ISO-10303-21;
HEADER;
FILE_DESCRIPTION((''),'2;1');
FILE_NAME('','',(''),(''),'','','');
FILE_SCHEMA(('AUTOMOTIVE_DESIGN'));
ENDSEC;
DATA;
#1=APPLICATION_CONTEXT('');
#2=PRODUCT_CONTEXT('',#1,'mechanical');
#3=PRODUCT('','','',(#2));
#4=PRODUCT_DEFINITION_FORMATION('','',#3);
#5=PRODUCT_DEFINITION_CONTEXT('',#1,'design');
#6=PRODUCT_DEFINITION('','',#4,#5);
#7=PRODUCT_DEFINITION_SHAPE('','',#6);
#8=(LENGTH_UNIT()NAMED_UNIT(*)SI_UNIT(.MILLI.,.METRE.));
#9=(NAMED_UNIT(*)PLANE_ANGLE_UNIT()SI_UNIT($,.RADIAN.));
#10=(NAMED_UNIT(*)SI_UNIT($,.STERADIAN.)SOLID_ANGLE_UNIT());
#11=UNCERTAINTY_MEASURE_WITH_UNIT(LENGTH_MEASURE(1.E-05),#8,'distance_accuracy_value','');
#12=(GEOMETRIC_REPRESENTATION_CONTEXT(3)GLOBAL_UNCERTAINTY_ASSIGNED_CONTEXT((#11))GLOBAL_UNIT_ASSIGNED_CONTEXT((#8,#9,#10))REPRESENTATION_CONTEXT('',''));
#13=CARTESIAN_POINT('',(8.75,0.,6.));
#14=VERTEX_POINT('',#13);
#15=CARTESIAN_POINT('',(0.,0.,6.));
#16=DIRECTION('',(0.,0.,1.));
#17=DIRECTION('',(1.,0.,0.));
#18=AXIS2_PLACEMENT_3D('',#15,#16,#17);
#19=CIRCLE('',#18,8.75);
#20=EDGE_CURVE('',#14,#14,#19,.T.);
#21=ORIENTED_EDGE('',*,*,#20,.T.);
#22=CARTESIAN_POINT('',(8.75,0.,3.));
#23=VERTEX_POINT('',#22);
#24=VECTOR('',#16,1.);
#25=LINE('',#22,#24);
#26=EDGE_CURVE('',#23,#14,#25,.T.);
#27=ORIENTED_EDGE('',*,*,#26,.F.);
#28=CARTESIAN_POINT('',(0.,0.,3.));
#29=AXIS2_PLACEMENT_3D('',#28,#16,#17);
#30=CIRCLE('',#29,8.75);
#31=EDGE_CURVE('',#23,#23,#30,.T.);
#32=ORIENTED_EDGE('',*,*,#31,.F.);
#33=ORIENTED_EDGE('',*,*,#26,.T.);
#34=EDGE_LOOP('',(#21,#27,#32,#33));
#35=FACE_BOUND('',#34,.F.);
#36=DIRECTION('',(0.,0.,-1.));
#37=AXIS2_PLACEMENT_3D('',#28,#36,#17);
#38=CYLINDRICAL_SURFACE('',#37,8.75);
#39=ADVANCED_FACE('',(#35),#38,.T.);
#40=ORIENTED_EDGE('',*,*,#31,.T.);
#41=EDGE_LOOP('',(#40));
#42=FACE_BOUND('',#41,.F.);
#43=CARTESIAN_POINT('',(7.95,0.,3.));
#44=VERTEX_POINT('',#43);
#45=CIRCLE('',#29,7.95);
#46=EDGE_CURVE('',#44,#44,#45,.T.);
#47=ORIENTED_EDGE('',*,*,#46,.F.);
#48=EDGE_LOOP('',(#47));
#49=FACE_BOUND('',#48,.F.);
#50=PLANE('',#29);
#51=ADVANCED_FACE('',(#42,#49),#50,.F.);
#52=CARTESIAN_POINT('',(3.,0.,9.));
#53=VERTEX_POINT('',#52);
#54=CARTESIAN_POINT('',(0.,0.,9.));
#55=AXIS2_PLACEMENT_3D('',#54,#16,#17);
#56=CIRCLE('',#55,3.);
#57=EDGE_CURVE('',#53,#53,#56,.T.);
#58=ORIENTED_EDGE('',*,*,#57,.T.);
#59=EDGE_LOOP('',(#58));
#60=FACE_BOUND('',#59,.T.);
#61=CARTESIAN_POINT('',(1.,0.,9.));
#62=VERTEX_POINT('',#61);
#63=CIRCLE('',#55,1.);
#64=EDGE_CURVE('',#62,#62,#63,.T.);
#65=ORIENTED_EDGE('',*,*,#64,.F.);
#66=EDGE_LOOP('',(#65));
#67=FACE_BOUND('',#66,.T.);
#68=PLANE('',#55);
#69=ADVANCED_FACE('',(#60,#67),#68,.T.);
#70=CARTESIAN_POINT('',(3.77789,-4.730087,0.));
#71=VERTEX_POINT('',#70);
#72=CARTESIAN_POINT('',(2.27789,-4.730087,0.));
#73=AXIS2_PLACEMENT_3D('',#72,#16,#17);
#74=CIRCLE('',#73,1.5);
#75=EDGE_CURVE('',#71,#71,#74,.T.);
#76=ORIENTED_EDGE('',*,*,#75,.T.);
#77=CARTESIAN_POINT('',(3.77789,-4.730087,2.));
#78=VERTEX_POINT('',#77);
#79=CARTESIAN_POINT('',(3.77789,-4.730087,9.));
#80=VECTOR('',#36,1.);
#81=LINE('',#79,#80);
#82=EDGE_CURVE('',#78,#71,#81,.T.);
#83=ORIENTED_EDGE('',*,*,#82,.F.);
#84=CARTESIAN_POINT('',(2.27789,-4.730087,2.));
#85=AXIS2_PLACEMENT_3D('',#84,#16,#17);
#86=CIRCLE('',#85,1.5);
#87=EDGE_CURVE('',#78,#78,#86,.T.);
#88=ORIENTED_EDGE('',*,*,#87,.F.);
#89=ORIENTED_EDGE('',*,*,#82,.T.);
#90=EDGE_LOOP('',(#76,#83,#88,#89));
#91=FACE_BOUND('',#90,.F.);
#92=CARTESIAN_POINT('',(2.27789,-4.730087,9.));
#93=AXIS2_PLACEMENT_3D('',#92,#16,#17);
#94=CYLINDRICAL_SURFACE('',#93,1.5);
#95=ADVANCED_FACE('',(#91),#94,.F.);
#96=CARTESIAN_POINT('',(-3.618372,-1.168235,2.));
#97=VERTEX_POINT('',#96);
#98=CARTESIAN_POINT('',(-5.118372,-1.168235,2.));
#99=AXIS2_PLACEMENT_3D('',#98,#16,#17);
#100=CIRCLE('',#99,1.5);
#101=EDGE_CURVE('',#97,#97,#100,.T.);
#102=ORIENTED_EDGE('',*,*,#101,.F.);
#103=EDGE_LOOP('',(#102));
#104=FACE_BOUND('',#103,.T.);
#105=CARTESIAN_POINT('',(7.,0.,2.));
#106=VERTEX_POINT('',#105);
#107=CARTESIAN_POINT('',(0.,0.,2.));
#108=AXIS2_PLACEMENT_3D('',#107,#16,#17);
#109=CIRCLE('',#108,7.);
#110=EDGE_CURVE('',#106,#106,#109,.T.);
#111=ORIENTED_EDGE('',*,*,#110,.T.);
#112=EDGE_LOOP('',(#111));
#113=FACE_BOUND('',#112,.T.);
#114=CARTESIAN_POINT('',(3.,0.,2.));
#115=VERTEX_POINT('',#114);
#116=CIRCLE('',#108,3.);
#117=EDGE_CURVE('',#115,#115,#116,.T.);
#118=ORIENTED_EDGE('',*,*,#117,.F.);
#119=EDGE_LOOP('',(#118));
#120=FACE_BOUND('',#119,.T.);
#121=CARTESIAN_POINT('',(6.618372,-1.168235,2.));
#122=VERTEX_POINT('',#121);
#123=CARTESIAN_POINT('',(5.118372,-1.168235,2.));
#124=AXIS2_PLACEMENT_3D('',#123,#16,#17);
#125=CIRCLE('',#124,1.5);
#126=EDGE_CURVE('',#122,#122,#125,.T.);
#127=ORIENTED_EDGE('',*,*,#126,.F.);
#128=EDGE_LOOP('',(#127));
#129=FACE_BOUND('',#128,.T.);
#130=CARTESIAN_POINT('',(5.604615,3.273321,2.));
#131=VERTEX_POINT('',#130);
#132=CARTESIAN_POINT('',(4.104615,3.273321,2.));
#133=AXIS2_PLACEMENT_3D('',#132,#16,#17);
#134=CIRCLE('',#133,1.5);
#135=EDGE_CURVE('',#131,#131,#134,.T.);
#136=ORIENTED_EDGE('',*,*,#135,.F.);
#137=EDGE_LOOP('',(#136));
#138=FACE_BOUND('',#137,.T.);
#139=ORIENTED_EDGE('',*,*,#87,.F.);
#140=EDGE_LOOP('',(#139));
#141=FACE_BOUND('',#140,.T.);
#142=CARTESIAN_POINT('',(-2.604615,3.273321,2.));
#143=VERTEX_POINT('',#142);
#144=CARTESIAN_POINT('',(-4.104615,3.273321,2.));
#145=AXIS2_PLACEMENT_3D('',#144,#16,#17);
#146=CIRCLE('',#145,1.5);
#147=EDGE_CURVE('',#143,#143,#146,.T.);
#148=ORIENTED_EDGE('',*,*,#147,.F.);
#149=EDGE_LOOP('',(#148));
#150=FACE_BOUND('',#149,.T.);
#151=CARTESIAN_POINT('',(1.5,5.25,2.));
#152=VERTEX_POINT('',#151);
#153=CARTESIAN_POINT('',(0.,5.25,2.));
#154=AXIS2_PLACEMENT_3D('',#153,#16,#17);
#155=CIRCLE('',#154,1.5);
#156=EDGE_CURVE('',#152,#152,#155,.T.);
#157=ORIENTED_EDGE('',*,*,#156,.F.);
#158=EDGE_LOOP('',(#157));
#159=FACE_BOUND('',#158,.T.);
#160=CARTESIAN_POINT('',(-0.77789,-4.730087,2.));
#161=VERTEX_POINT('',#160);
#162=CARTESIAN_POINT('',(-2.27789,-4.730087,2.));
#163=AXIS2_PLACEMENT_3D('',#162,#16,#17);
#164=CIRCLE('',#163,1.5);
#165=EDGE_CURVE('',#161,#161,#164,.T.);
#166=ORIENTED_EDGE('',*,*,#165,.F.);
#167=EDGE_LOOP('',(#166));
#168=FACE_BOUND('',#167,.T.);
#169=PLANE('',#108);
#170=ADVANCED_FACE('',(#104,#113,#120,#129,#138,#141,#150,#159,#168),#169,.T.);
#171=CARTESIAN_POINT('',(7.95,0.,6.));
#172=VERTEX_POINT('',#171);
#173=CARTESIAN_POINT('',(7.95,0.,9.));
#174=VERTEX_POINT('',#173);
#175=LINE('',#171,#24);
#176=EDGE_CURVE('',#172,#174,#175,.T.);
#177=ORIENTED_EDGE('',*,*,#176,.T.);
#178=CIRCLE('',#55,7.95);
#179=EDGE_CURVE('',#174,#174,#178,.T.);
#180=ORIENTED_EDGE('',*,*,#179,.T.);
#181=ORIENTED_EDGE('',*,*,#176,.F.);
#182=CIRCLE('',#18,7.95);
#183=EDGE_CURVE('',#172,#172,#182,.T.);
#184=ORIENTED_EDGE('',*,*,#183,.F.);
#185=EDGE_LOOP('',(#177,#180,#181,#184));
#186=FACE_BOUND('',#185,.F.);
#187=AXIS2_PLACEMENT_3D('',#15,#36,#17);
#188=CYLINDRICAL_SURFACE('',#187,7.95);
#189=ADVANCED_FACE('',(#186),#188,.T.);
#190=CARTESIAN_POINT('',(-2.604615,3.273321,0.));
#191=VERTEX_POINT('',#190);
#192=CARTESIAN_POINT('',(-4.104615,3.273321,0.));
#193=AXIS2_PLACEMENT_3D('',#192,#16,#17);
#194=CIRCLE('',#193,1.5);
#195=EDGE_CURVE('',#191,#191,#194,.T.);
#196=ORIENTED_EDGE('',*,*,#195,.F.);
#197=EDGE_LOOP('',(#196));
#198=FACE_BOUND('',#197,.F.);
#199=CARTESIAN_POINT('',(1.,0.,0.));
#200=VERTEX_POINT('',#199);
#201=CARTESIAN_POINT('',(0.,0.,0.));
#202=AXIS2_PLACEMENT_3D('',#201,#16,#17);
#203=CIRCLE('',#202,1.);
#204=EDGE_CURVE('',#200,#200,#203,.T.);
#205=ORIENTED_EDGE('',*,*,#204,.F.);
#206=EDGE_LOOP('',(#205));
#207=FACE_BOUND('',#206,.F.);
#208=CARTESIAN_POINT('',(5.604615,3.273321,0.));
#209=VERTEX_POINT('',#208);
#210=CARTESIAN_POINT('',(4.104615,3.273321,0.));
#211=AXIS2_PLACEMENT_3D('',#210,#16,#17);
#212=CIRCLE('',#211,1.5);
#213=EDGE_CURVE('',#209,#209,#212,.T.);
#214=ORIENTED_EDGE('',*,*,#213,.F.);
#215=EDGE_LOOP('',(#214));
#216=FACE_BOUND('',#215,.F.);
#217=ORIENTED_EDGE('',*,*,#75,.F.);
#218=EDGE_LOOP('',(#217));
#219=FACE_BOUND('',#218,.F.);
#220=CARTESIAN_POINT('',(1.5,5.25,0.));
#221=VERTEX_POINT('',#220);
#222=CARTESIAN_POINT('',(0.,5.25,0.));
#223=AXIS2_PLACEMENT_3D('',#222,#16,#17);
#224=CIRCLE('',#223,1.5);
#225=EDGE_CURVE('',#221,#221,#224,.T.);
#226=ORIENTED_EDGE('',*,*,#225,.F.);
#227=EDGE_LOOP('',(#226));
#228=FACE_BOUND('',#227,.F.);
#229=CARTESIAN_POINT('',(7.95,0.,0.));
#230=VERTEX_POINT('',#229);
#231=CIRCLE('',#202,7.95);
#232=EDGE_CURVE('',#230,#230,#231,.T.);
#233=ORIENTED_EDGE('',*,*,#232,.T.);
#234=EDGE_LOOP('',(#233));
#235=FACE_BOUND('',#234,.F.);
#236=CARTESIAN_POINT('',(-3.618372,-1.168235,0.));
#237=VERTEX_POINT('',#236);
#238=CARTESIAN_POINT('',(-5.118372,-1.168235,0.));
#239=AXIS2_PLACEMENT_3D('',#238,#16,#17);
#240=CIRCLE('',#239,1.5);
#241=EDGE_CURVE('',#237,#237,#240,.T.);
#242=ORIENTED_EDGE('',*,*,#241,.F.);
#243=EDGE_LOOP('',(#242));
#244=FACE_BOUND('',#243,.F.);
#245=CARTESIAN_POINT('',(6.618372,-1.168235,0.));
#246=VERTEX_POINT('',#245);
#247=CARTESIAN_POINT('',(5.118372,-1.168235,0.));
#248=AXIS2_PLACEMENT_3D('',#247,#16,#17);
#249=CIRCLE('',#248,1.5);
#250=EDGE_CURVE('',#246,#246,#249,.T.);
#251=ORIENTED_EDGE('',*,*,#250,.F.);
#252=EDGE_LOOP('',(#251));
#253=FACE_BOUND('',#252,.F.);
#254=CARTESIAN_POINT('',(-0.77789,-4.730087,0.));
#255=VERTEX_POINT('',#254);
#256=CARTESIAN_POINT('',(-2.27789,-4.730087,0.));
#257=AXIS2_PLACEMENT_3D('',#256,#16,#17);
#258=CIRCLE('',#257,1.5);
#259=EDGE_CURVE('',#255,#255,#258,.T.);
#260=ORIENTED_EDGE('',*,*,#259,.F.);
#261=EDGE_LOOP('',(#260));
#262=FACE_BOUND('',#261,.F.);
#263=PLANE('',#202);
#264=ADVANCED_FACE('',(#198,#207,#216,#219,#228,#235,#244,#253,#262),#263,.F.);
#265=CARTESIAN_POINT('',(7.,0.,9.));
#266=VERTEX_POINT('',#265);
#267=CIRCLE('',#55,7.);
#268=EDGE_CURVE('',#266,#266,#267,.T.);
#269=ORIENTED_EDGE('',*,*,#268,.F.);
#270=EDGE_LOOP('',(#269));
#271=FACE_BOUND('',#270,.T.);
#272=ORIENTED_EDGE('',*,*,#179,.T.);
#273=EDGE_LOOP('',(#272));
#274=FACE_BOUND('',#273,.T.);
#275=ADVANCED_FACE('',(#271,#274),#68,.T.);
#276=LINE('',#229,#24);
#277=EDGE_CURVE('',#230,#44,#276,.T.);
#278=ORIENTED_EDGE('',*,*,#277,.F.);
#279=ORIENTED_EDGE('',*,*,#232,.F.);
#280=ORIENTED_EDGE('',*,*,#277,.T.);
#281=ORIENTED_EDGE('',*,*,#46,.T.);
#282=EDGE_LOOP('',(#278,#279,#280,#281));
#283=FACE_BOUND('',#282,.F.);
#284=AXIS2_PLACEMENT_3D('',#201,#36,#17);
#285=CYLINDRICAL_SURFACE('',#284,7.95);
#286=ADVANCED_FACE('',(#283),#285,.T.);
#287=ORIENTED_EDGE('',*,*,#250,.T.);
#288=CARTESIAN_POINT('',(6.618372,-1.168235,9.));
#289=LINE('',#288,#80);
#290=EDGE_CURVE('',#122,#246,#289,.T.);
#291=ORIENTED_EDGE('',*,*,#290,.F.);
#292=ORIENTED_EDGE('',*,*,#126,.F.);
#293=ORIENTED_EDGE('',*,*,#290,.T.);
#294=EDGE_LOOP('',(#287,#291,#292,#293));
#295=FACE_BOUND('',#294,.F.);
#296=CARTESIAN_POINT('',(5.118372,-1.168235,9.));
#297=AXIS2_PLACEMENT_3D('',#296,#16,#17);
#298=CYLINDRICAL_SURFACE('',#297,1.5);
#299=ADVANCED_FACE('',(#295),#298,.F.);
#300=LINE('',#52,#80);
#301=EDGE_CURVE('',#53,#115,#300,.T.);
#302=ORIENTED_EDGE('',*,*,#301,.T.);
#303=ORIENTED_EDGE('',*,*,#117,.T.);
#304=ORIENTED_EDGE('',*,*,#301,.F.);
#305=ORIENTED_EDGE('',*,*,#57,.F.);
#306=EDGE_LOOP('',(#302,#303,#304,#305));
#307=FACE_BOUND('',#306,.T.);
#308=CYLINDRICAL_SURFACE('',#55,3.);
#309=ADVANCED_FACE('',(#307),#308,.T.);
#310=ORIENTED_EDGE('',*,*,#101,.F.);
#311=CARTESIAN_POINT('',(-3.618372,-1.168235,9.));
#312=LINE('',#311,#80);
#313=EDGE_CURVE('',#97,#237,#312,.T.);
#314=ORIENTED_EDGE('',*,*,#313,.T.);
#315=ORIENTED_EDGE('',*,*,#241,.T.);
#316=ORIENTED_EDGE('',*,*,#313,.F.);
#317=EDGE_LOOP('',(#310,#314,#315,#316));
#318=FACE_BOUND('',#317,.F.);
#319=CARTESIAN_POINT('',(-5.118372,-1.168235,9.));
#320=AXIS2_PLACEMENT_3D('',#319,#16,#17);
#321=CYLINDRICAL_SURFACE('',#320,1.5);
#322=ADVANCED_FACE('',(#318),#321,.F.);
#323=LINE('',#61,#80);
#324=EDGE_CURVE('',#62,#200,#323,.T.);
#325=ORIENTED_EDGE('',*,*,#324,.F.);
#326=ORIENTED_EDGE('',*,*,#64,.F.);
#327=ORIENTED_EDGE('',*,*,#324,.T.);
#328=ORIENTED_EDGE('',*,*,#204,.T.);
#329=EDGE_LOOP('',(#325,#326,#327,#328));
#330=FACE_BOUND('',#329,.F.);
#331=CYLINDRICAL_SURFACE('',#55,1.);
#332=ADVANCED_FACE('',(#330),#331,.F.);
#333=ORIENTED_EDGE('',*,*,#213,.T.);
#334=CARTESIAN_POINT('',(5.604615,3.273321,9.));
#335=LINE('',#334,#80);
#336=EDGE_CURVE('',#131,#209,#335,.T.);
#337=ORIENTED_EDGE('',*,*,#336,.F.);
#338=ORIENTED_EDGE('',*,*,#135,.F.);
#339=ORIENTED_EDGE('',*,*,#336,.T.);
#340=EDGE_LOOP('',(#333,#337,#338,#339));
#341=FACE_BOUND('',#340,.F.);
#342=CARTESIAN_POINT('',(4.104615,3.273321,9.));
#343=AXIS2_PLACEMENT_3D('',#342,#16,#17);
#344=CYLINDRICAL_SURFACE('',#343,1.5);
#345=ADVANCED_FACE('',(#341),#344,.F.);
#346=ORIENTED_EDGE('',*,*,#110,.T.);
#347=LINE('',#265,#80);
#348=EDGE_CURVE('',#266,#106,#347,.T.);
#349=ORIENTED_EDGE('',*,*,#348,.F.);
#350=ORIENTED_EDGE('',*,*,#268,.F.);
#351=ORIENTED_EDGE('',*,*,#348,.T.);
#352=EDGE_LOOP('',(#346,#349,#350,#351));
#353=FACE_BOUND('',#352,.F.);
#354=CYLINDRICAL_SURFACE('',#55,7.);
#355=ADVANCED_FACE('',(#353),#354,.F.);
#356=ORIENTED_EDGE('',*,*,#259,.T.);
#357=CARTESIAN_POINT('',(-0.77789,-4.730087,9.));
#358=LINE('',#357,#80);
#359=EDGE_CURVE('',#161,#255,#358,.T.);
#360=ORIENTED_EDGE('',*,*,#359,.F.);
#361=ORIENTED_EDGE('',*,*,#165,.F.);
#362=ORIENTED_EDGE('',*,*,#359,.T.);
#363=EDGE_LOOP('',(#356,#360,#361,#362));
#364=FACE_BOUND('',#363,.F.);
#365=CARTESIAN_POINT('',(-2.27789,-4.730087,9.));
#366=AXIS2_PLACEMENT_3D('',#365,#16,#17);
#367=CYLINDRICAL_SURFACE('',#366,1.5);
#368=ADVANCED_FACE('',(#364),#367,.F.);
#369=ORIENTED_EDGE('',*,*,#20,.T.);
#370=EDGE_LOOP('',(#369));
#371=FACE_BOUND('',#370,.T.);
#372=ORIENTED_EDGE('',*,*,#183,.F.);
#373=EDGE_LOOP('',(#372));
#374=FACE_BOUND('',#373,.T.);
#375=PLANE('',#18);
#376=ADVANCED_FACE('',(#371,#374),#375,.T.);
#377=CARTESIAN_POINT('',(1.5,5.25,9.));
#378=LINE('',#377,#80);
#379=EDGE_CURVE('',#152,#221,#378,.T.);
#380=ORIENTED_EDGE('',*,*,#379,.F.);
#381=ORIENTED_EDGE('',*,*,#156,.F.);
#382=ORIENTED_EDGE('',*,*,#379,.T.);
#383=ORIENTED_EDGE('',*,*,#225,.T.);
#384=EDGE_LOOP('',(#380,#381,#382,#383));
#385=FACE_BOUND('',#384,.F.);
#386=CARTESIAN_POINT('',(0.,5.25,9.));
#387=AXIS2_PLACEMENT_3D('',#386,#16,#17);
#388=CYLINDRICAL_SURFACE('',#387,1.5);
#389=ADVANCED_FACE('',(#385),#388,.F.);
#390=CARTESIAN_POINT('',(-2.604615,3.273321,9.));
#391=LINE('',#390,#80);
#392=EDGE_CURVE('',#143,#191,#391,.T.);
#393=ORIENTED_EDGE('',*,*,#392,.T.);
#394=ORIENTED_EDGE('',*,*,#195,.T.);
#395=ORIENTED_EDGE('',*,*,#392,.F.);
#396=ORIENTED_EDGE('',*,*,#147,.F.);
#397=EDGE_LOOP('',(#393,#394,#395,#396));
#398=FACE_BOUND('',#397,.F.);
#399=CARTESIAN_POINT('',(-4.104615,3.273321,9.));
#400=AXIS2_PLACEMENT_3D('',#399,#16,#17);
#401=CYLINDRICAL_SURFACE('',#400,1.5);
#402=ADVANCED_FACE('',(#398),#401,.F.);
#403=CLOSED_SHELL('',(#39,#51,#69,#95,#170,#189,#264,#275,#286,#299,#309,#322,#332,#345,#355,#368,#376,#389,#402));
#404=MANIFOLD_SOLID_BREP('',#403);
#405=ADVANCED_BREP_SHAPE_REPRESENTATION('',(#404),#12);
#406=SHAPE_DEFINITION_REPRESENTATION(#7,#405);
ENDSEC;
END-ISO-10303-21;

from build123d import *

# Parameters (mm, degrees)
F0_R      = 7.95
F1_DEPTH  = 3
F2_R      = 8.75
F2_R_2    = 7.95
F3_DEPTH  = 3
F4_R      = 7.95
F5_DEPTH  = 3
F6_R      = 1.5
F7_DEPTH  = 25
F8_R      = 7
F8_R_2    = 1.5
F8_R_3    = 3
F9_DEPTH  = 7
F10_R     = 1
F11_DEPTH = 25


with BuildPart() as f1:
    # F0 (on Top) → F1 (new body)
    with BuildSketch(Plane.XY):
        Circle(F0_R)
    extrude(amount=F1_DEPTH)

    # F2 (on face) → F3 (join)
    with BuildSketch(Plane.XY.offset(3)):
        Circle(F2_R)
        Circle(F2_R_2, mode=Mode.SUBTRACT)
        Circle(F2_R_2)
    extrude(amount=F3_DEPTH)

    # F4 (on face) → F5 (join)
    with BuildSketch(Plane.XY.offset(6)):
        Circle(F4_R)
    extrude(amount=F5_DEPTH)

    # F6 (on face) → F7 (cut)
    with BuildSketch(Plane.XY.offset(9)):
        with Locations((-4.104615283, 3.2733214598)):
            Circle(F6_R)
        with Locations((0, 5.25)):
            Circle(F6_R)
        with Locations((4.104615283, 3.2733214598)):
            Circle(F6_R)
        with Locations((5.118371539, -1.1682349033)):
            Circle(F6_R)
        with Locations((2.2778896304, -4.7300865565)):
            Circle(F6_R)
        with Locations((-2.2778896304, -4.7300865565)):
            Circle(F6_R)
        with Locations((-5.118371539, -1.1682349033)):
            Circle(F6_R)
    extrude(amount=-F7_DEPTH, mode=Mode.SUBTRACT)

    # F8 (on face) → F9 (cut)
    with BuildSketch(Plane.XY.offset(9)):
        Circle(F8_R)
        with Locations((-2.2778896304, -4.7300865565)):
            Circle(F8_R_2, mode=Mode.SUBTRACT)
        with Locations((-5.118371539, -1.1682349033)):
            Circle(F8_R_2, mode=Mode.SUBTRACT)
        with Locations((2.2778896304, -4.7300865565)):
            Circle(F8_R_2, mode=Mode.SUBTRACT)
        with Locations((5.118371539, -1.1682349033)):
            Circle(F8_R_2, mode=Mode.SUBTRACT)
        with Locations((-4.104615283, 3.2733214598)):
            Circle(F8_R_2, mode=Mode.SUBTRACT)
        Circle(F8_R_3, mode=Mode.SUBTRACT)
        with Locations((4.104615283, 3.2733214598)):
            Circle(F8_R_2, mode=Mode.SUBTRACT)
        with Locations((0, 5.25)):
            Circle(F8_R_2, mode=Mode.SUBTRACT)
    extrude(amount=-F9_DEPTH, mode=Mode.SUBTRACT)

    # F10 (on face) → F11 (cut)
    with BuildSketch(Plane.XY.offset(9)):
        Circle(F10_R)
    extrude(amount=-F11_DEPTH, mode=Mode.SUBTRACT)


solid = f1.part
